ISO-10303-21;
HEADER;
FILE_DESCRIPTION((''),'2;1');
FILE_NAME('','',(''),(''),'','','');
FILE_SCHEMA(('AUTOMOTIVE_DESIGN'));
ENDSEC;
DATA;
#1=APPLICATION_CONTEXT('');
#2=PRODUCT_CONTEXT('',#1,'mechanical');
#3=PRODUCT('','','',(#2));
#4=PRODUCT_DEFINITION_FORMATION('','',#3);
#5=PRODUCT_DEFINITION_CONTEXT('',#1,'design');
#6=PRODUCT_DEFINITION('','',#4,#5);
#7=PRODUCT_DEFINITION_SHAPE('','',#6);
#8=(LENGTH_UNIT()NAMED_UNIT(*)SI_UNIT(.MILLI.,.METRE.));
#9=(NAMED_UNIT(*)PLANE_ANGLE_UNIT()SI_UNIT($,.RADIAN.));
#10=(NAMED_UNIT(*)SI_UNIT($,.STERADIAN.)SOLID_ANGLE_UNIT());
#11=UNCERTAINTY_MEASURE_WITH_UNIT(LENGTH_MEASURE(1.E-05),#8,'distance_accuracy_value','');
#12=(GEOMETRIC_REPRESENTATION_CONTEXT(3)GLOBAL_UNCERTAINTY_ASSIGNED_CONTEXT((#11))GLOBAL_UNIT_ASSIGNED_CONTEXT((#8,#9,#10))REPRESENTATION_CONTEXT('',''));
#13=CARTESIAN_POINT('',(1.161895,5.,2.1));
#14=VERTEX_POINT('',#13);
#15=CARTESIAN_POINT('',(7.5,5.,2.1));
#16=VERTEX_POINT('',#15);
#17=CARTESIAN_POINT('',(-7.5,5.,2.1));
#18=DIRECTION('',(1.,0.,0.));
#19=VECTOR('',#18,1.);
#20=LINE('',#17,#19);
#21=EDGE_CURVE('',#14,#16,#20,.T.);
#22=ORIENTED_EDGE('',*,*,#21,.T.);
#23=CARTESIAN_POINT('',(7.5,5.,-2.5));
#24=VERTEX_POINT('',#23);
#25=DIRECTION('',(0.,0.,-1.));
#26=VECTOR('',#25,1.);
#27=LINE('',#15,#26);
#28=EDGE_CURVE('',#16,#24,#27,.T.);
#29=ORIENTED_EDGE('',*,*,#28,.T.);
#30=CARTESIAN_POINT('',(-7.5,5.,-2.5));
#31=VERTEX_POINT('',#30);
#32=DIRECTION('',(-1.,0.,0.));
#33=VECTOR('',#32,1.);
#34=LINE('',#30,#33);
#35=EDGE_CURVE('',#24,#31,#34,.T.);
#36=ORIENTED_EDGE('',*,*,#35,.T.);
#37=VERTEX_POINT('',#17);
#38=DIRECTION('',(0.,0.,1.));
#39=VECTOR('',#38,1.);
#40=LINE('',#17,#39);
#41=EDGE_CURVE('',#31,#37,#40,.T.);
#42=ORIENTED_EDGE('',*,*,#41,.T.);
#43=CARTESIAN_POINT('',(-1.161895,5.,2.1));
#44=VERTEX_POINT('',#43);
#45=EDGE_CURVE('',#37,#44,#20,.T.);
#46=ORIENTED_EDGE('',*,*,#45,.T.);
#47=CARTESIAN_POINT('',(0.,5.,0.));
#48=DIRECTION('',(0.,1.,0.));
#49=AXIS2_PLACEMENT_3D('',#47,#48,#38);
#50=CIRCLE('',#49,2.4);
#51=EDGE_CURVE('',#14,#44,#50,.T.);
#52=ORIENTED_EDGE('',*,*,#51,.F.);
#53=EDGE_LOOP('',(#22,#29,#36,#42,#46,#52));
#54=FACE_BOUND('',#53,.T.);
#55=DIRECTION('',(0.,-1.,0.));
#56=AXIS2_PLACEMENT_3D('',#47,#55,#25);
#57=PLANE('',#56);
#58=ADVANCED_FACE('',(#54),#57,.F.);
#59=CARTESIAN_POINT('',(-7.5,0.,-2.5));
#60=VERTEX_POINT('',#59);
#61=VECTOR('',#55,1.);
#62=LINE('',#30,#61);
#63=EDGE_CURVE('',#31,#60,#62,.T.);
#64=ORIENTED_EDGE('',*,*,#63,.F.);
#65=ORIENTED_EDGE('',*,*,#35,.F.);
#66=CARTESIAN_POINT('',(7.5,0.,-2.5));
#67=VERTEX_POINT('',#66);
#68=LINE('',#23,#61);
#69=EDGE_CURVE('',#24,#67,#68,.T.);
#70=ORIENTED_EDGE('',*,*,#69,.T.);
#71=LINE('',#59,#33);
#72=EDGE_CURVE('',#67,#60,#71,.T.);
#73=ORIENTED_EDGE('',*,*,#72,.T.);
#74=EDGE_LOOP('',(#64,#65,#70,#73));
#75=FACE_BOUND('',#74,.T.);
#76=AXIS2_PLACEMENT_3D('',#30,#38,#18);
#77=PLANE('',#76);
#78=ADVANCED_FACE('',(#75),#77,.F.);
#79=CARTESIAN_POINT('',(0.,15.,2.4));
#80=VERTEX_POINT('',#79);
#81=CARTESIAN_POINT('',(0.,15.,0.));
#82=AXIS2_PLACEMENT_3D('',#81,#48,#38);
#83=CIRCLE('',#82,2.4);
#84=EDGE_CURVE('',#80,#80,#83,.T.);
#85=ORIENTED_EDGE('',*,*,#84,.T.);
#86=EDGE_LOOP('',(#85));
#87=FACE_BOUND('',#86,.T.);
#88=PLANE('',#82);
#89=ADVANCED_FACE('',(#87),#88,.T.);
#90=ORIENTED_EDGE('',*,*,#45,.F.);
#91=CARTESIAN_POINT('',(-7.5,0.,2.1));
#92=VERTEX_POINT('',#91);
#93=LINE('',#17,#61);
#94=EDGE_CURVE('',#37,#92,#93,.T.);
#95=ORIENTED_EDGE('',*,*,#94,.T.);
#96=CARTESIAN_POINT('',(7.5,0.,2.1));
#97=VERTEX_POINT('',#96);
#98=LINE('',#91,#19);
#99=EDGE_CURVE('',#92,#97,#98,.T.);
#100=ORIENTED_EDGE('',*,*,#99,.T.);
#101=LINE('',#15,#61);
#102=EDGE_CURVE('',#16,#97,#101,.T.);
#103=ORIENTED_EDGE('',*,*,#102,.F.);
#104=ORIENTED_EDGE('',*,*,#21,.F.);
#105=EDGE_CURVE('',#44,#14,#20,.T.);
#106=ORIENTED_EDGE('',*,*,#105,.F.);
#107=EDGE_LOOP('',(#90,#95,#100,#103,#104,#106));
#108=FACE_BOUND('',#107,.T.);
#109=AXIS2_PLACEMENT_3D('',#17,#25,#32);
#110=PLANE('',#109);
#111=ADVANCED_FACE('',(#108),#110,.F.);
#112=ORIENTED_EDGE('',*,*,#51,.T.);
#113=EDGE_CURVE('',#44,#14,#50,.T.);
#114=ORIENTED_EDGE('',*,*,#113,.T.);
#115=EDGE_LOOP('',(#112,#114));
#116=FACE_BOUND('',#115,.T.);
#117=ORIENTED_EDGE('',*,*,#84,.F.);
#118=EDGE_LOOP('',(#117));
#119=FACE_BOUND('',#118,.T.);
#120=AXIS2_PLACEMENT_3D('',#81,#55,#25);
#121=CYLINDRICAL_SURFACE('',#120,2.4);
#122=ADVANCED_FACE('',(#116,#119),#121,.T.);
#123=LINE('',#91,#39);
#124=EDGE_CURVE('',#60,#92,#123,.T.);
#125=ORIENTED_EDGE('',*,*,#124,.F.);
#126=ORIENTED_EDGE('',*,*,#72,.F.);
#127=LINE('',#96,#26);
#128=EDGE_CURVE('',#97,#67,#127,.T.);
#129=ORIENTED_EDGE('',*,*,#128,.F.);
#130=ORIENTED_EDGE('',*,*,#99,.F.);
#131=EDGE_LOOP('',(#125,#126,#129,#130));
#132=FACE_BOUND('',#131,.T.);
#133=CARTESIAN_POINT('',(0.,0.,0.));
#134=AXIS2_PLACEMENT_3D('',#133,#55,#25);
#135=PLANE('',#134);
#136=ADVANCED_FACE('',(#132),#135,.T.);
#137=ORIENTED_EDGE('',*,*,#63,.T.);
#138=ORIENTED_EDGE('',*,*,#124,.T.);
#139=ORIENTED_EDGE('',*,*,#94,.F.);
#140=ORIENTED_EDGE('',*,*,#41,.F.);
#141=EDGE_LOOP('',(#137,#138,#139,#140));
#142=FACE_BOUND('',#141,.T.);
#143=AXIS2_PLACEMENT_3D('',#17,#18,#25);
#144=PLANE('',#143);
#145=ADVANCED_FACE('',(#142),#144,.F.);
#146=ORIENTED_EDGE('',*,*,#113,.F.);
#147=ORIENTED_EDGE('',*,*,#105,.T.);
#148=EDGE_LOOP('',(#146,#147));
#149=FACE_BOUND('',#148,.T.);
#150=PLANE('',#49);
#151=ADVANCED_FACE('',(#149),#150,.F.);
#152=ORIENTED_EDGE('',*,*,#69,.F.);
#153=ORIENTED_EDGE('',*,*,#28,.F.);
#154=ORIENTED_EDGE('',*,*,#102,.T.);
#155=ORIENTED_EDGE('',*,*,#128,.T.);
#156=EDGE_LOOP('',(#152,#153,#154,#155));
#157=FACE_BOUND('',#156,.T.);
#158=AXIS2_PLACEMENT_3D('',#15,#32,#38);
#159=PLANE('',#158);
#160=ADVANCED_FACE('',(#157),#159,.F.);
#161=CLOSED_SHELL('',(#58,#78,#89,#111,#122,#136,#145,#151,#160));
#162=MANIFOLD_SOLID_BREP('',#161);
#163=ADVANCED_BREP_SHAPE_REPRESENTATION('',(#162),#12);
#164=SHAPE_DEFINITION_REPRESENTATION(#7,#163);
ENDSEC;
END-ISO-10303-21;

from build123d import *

# Parameters (mm, degrees)
SKETCH1_W           = 15
SKETCH1_H           = 4.6
BOSS_EXTRUDE1_DEPTH = 5
SKETCH2_R           = 2.4
BOSS_EXTRUDE2_DEPTH = 10


with BuildPart() as part:
    # Sketch1 → Boss-Extrude1 (new body)
    with BuildSketch(Plane(origin=(0, 0, 0), x_dir=(1, 0, 0), z_dir=(0, 1, 0))):
        with Locations((0, 0.2)):
            Rectangle(SKETCH1_W, SKETCH1_H)
    extrude(amount=BOSS_EXTRUDE1_DEPTH)

    # Sketch2 → Boss-Extrude2 (add)
    with BuildSketch(Plane(origin=(0, 5, 0), x_dir=(1, 0, 0), z_dir=(0, 1, 0))):
        with Locations(Location((0, 0, 0), (0, 0, 241.044975628))):
            Circle(SKETCH2_R)
    extrude(amount=BOSS_EXTRUDE2_DEPTH)


solid = part.part
